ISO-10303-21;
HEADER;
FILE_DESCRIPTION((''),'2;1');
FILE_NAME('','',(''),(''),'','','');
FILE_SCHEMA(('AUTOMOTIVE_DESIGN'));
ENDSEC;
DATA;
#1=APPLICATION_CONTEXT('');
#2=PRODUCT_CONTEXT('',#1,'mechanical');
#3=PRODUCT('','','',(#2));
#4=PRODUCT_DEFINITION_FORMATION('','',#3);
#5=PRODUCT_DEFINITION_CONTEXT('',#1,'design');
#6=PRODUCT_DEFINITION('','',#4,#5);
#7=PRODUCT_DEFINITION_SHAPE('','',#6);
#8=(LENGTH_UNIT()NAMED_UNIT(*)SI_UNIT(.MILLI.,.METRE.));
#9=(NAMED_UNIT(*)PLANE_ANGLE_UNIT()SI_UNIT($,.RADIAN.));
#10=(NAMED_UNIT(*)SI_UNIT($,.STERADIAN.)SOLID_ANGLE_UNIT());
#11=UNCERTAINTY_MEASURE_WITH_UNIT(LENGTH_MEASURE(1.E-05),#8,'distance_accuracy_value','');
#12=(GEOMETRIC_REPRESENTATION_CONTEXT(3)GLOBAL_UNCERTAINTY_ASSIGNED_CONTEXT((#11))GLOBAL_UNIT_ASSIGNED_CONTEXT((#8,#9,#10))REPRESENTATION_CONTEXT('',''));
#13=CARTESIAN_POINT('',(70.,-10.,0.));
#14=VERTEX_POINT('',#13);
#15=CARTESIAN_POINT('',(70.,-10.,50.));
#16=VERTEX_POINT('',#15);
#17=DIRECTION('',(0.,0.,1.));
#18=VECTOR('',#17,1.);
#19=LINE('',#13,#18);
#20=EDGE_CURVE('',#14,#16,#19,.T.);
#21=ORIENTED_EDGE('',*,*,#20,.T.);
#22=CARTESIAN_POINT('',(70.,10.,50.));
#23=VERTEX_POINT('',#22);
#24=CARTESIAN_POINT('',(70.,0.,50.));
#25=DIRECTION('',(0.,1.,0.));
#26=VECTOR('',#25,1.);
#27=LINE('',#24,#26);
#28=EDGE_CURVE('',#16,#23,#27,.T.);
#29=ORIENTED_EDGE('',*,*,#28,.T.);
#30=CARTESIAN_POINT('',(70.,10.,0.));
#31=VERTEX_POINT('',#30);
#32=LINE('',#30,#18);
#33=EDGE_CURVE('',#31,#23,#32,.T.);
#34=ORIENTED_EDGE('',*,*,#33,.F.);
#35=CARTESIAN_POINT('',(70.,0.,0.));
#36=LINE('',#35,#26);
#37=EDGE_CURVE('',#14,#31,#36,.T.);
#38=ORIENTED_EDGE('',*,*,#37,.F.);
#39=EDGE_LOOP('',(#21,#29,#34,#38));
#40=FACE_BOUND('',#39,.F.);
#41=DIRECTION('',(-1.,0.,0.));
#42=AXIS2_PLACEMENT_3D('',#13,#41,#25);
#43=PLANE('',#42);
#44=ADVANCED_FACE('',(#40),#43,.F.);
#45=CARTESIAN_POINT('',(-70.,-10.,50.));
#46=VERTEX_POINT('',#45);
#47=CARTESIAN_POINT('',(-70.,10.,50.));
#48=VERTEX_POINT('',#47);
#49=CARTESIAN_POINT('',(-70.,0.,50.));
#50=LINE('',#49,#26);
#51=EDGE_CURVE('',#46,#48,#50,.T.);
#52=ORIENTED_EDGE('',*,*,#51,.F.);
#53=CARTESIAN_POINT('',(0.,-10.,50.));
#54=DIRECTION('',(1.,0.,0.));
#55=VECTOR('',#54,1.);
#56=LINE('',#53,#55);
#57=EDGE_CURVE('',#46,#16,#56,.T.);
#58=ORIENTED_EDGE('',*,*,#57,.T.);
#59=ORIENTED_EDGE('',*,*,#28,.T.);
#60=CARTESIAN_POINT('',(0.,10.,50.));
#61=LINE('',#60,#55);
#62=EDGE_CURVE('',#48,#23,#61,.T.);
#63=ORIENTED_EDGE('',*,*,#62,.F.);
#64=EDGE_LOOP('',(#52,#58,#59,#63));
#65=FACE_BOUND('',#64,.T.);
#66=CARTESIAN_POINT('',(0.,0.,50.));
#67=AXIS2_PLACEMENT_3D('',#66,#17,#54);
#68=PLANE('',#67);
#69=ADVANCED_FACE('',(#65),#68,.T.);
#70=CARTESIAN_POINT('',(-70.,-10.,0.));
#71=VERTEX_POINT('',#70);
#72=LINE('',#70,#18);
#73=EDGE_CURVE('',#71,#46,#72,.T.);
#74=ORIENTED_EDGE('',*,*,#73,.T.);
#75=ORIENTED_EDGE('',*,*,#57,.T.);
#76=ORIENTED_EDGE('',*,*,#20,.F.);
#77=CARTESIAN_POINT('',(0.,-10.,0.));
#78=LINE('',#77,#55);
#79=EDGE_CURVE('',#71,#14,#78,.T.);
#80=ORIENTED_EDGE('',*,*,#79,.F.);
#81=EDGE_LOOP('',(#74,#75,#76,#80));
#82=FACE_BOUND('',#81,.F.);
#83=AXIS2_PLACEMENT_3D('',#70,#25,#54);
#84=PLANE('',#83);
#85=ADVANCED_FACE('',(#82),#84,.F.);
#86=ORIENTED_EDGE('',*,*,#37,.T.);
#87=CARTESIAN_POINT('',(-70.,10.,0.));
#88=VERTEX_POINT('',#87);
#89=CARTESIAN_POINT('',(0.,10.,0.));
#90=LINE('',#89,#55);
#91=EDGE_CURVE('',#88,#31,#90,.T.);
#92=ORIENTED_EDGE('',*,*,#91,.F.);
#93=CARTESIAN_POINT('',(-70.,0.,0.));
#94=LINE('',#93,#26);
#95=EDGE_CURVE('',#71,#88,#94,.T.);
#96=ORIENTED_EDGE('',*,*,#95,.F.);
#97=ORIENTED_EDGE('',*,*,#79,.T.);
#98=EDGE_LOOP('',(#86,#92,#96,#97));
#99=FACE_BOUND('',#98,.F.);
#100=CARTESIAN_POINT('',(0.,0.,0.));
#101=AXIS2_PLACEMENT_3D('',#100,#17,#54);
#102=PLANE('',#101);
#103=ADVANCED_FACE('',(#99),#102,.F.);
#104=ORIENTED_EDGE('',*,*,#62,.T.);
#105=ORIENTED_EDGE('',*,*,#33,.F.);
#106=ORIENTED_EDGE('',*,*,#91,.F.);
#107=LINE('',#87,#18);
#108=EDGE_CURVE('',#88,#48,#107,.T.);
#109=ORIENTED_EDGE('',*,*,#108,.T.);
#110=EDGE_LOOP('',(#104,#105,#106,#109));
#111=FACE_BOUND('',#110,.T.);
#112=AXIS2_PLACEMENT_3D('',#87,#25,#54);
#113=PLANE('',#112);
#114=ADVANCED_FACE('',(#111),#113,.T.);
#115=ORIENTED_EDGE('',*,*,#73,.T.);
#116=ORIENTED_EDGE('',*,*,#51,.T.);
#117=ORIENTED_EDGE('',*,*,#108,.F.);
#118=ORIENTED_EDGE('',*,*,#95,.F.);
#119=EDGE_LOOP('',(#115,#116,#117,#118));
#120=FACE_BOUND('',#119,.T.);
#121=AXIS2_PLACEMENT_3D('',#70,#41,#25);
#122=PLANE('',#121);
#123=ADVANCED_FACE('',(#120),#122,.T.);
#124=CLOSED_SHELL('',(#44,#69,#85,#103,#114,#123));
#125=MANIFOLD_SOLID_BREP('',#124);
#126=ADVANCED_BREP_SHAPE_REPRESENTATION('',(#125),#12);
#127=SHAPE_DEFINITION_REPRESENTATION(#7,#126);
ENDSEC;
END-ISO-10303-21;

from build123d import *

# Parameters (mm, degrees)
SKETCH_W      = 140
SKETCH_H      = 20
EXTRUDE_DEPTH = 50


with BuildPart() as part:
    # Sketch → Extrude (new body)
    with BuildSketch(Plane.XY):
        Rectangle(SKETCH_W, SKETCH_H)
    extrude(amount=EXTRUDE_DEPTH)


solid = part.part
